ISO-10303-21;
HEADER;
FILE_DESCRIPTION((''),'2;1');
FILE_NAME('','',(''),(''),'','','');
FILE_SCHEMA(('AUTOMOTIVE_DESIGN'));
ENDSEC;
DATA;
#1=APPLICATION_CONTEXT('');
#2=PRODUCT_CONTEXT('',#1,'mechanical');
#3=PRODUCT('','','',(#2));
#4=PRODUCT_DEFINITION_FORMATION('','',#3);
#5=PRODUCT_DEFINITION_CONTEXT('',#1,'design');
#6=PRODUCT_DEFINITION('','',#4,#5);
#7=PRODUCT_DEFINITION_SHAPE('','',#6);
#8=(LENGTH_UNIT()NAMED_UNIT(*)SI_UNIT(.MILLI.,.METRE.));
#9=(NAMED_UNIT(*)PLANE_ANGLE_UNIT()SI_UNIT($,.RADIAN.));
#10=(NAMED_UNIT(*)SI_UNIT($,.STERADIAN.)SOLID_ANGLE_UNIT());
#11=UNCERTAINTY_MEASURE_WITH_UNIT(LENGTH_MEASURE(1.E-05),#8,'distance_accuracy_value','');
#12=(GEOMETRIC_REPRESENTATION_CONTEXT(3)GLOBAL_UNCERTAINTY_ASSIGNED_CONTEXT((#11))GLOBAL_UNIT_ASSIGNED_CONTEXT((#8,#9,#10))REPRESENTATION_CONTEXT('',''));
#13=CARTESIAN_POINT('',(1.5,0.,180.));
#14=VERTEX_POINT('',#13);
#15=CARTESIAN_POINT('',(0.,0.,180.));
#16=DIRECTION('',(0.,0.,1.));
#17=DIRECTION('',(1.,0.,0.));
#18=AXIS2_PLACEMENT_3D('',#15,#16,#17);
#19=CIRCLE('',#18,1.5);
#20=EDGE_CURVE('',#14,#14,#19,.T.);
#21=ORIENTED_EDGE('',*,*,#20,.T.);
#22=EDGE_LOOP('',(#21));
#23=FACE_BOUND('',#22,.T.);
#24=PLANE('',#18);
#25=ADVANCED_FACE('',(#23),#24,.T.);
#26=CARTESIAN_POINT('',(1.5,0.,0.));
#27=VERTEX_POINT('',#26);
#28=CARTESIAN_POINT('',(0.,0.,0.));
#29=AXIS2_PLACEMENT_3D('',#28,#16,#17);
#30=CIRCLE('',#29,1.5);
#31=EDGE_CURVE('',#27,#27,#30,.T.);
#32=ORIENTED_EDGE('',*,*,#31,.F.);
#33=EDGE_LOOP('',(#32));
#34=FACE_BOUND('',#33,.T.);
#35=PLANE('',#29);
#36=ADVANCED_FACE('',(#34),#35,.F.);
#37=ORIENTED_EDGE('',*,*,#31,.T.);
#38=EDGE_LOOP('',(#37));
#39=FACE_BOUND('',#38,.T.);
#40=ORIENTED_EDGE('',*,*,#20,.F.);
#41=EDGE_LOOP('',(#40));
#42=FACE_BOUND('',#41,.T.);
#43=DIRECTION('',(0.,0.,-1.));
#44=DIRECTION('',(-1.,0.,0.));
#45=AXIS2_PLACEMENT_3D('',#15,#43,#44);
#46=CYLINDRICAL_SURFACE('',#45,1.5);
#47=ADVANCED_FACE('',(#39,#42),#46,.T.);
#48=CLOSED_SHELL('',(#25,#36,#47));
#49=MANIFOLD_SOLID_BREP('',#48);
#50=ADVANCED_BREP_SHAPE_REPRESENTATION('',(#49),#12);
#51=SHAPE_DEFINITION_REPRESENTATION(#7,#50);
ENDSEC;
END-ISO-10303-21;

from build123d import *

# Parameters (mm, degrees)
CROQUIS1_R              = 1.5
SALIENTE_EXTRUIR1_DEPTH = 180


with BuildPart() as part:
    # Croquis1 → Saliente-Extruir1 (new body)
    with BuildSketch(Plane.XY):
        Circle(CROQUIS1_R)
    extrude(amount=SALIENTE_EXTRUIR1_DEPTH)


solid = part.part
